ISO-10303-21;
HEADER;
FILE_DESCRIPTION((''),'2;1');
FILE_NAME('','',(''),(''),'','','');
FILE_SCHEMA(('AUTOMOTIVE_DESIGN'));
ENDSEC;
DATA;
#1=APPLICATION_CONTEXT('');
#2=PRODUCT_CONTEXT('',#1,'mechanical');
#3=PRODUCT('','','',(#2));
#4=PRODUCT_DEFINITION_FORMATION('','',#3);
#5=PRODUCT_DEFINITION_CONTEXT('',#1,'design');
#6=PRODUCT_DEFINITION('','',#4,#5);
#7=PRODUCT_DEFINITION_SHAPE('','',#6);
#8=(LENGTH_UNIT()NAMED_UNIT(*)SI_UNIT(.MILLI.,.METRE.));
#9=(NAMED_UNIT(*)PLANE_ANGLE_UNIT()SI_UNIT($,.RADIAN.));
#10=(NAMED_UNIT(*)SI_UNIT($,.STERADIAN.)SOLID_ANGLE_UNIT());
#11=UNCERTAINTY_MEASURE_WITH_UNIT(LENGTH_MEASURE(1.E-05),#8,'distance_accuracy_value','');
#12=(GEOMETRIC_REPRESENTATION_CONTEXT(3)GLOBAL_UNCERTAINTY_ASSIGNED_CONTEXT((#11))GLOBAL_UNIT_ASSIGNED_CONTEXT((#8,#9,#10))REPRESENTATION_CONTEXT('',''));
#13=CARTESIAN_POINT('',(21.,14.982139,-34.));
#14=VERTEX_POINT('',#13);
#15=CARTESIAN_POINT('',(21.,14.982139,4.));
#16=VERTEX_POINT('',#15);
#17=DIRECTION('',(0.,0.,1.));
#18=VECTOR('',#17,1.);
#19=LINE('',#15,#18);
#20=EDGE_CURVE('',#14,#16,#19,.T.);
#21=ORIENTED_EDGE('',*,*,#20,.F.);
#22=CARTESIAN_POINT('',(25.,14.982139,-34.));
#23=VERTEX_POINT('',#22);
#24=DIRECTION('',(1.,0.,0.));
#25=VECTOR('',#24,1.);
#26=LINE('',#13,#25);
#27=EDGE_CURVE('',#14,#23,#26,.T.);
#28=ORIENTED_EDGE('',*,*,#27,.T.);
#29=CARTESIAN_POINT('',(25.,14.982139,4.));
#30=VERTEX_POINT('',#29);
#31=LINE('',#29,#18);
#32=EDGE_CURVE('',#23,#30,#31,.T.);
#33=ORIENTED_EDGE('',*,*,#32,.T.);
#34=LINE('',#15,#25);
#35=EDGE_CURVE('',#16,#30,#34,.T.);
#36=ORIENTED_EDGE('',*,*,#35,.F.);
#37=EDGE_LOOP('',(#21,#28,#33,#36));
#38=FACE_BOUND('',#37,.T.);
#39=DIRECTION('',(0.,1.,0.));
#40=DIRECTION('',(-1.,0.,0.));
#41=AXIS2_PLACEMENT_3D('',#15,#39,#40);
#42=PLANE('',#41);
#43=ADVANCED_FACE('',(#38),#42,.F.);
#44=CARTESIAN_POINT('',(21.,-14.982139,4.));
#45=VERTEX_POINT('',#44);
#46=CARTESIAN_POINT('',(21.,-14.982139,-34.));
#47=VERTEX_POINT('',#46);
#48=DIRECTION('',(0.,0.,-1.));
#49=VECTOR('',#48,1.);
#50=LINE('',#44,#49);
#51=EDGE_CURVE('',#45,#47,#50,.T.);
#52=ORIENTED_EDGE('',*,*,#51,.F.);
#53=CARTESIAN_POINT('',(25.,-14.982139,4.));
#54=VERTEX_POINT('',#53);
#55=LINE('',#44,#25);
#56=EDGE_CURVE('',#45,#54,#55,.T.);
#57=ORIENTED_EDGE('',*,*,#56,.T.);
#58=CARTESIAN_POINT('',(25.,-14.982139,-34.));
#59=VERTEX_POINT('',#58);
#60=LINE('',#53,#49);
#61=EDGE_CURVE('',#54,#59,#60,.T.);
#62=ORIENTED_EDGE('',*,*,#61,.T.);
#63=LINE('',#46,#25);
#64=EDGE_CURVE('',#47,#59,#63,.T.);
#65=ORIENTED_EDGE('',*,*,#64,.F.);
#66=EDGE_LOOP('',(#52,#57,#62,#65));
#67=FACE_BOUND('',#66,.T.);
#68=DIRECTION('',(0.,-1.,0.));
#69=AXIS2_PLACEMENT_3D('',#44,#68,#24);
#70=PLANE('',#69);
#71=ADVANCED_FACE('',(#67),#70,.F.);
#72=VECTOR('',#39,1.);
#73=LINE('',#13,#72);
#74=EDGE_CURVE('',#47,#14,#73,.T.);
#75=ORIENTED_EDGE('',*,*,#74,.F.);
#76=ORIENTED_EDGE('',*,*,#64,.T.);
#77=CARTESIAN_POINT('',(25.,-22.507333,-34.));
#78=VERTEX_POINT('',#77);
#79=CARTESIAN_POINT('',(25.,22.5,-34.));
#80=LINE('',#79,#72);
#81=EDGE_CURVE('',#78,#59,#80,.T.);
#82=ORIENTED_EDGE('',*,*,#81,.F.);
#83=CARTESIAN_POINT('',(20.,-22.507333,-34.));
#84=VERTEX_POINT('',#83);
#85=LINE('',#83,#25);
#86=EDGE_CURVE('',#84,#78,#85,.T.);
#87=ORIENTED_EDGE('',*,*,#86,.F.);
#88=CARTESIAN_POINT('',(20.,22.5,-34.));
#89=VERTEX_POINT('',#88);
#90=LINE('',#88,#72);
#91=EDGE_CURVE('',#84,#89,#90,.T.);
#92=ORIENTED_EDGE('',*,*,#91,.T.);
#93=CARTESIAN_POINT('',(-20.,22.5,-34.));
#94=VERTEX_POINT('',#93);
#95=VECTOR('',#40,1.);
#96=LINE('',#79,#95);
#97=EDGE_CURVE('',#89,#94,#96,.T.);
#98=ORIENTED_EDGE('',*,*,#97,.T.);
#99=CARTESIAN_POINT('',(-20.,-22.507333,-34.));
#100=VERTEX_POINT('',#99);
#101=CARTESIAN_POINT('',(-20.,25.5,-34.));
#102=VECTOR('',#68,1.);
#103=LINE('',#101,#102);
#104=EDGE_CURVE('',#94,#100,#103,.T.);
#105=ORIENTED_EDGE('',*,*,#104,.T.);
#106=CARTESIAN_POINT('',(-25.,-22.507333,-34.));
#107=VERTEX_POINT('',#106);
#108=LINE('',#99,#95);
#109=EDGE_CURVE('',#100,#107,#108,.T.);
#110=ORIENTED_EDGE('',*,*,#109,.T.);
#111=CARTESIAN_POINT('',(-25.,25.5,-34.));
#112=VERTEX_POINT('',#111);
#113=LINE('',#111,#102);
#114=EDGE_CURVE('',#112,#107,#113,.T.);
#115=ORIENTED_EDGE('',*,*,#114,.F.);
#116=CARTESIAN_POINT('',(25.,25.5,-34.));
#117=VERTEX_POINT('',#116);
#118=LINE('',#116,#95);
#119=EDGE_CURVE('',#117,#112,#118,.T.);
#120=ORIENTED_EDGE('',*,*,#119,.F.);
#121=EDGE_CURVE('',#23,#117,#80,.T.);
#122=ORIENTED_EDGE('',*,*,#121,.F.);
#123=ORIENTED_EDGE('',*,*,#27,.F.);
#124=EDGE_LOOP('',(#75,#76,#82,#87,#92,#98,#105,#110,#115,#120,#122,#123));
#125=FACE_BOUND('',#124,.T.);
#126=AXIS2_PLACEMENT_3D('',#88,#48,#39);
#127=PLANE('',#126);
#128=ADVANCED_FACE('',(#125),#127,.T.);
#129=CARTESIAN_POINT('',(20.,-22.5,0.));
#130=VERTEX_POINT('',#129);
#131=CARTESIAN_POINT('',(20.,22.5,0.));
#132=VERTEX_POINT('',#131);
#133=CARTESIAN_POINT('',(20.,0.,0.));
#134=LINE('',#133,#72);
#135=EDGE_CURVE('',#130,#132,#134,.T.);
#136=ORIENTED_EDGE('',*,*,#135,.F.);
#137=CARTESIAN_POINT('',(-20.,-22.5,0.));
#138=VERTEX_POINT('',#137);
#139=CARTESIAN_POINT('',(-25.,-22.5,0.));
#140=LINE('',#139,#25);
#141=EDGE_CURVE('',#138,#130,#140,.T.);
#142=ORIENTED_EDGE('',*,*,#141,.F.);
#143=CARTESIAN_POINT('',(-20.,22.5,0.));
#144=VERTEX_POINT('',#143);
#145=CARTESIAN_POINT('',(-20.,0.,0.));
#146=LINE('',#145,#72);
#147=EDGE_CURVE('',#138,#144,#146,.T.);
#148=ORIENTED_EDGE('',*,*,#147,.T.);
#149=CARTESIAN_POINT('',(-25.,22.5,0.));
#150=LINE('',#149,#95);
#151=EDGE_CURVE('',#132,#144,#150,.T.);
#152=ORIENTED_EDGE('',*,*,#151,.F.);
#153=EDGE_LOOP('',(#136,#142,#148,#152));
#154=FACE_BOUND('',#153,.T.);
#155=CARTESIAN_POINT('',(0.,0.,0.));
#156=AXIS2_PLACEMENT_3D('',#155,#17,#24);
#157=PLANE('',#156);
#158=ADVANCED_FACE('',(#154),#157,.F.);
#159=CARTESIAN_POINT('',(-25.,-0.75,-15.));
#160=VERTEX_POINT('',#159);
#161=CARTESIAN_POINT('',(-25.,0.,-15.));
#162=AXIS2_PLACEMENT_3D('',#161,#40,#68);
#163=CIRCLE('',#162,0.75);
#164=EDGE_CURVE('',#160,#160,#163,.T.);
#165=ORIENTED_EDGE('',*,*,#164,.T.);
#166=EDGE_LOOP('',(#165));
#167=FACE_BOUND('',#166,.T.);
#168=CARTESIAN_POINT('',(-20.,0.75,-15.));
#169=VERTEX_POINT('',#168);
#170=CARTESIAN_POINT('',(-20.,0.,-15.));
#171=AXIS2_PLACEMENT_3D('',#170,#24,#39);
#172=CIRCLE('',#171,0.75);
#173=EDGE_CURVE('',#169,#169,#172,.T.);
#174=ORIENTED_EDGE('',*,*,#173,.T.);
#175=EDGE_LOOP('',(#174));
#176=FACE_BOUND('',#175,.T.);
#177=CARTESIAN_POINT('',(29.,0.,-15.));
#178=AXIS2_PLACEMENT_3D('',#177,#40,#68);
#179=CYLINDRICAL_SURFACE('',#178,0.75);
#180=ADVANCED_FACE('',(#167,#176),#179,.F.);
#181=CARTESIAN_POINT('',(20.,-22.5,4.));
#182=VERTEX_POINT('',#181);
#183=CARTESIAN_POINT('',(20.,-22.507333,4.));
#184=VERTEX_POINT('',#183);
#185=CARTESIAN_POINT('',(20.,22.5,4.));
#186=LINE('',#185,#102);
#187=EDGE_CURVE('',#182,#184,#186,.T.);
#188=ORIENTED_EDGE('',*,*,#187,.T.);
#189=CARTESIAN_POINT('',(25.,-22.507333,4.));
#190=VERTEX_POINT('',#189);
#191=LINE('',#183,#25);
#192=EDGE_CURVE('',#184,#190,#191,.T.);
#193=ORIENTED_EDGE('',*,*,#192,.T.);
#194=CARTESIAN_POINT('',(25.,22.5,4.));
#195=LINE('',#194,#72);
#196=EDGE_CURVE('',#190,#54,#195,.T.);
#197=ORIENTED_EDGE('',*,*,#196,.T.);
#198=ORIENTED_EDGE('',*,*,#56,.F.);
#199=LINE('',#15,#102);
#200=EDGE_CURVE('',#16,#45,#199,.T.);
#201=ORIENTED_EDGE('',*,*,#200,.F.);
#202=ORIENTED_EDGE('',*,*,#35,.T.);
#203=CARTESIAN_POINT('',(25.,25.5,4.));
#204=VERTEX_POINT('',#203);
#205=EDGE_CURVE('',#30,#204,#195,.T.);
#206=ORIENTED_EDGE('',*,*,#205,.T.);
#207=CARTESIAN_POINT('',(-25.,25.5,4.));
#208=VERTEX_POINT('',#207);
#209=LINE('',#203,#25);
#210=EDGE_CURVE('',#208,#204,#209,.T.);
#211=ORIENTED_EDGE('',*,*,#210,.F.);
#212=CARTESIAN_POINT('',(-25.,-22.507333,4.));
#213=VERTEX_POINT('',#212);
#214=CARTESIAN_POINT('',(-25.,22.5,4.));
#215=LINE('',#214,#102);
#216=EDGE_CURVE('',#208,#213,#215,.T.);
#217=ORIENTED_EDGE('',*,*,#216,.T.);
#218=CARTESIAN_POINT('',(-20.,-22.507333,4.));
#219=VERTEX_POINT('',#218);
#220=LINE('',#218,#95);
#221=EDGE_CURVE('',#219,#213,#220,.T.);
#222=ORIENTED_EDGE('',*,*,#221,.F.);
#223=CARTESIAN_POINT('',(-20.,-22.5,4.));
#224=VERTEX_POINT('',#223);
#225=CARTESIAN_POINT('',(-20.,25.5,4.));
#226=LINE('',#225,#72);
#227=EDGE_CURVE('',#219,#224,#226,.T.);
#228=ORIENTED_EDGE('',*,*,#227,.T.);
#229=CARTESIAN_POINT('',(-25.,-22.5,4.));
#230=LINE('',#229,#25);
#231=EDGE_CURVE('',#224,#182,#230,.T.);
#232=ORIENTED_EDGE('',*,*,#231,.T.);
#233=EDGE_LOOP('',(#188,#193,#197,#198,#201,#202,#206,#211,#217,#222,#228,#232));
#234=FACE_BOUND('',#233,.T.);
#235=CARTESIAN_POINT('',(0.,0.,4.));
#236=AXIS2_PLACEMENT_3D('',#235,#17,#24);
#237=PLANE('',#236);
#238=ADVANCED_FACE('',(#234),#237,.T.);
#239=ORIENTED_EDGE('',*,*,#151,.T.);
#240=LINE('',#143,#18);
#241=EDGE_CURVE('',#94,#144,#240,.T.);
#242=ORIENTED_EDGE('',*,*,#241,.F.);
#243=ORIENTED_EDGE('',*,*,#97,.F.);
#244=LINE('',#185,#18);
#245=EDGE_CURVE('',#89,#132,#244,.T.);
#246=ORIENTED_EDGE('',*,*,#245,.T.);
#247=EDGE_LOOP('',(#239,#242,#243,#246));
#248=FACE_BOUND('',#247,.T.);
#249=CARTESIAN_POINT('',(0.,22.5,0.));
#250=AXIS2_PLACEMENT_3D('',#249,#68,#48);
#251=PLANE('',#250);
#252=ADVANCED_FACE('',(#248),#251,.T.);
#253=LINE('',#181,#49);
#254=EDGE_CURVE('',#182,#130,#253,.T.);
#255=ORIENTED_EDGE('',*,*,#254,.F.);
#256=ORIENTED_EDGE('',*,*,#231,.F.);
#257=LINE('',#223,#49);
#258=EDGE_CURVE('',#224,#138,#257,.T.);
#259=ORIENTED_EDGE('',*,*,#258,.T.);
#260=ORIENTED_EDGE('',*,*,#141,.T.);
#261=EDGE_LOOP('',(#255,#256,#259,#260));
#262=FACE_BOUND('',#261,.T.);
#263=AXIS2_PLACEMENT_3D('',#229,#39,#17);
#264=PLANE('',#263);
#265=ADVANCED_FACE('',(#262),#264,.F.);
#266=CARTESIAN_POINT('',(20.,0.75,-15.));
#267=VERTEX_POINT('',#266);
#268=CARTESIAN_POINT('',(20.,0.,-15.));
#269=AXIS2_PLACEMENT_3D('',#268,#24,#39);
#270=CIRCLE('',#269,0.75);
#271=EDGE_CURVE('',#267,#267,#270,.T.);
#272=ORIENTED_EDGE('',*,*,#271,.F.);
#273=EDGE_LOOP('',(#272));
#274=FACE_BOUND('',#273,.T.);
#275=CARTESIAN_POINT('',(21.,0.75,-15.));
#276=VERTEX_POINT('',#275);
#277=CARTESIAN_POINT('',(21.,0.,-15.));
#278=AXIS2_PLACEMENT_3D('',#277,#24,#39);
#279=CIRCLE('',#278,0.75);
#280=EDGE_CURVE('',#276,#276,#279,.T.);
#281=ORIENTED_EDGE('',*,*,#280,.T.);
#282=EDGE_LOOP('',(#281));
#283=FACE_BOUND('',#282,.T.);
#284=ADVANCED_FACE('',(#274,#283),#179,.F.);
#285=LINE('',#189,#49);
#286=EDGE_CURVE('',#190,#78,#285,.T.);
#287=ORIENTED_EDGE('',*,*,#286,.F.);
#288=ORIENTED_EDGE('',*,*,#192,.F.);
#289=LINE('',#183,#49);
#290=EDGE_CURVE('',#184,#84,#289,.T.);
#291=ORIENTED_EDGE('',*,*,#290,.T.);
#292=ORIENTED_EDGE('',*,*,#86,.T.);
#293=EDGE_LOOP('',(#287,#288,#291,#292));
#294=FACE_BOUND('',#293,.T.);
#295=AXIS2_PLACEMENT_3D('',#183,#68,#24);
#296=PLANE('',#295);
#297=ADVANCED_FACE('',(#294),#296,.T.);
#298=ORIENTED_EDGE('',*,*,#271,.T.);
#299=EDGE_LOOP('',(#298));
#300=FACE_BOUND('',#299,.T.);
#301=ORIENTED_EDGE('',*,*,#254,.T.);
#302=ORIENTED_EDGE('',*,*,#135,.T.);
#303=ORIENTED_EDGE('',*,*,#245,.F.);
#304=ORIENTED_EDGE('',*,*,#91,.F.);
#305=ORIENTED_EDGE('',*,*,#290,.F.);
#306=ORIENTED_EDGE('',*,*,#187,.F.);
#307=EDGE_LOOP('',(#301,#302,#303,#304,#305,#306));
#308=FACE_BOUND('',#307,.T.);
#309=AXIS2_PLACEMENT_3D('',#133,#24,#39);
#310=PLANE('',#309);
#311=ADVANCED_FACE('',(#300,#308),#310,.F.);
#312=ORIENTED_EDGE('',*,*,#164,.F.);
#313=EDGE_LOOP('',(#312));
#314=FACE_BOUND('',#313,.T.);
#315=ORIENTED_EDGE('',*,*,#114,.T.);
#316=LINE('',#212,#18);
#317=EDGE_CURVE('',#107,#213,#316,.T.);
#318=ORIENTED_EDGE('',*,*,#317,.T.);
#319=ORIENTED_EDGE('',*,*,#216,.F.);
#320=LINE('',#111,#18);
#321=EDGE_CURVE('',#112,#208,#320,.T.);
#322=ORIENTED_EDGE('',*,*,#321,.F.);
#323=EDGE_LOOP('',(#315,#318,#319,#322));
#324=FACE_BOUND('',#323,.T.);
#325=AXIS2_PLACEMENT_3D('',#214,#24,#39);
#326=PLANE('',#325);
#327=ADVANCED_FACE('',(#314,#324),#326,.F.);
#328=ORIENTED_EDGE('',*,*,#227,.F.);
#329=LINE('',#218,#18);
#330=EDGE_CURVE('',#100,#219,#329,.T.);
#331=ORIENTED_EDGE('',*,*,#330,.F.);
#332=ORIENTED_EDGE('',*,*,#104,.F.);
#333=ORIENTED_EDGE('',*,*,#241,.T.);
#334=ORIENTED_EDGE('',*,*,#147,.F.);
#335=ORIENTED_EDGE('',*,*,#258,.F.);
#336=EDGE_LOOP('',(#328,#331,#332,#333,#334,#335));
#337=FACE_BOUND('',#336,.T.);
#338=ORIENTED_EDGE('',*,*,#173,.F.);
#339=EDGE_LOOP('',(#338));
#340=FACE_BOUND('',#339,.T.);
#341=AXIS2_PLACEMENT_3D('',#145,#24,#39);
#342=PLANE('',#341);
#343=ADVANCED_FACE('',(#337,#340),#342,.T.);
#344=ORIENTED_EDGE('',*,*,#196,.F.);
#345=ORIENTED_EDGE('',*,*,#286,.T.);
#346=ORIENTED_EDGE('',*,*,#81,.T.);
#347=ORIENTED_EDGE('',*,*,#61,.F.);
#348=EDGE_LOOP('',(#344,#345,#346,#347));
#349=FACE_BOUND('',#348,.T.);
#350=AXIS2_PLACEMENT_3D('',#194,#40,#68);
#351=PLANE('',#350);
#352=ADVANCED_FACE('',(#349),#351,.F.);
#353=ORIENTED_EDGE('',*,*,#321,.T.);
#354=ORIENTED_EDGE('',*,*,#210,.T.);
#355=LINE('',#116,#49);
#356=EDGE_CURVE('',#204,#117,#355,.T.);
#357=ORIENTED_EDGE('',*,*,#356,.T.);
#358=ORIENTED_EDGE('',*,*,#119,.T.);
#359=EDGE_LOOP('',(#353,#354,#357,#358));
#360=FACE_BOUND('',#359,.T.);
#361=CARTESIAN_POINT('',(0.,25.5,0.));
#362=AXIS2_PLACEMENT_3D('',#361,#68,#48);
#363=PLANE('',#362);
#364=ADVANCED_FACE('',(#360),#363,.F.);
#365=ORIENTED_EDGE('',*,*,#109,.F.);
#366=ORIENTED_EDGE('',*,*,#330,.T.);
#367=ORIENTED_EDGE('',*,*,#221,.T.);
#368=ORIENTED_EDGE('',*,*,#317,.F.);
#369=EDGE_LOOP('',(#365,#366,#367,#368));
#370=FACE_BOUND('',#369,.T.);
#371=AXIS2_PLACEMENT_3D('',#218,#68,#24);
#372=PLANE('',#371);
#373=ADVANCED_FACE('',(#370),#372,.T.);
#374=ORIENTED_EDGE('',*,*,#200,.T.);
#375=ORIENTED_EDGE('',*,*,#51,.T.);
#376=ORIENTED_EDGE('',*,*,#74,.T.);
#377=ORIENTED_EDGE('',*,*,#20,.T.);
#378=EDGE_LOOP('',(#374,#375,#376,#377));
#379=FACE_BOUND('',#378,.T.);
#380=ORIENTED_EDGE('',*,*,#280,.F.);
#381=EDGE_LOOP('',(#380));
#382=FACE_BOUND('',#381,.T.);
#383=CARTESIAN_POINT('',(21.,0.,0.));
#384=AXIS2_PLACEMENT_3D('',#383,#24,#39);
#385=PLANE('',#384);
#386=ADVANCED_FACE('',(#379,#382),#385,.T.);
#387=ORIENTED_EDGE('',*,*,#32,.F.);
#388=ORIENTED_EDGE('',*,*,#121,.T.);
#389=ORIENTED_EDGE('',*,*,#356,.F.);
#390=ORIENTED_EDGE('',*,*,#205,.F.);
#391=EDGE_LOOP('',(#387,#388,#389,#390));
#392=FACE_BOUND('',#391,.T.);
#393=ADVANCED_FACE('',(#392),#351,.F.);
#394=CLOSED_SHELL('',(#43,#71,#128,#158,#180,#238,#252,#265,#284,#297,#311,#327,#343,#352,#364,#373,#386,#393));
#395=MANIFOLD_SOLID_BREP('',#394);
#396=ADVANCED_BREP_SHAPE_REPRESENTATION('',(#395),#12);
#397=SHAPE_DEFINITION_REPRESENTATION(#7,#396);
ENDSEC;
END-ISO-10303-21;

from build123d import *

# Parameters (mm, degrees)
SKETCH1_W           = 50
SKETCH1_H           = 45
BOSS_EXTRUDE1_DEPTH = 4
SKETCH2_W           = 38
SKETCH2_H           = 45.007332522
BOSS_EXTRUDE2_DEPTH = 5
SKETCH3_W           = 50
SKETCH3_H           = 38
BOSS_EXTRUDE3_DEPTH = 3
SKETCH4_W           = 38
SKETCH4_H           = 48.007332522
BOSS_EXTRUDE4_DEPTH = 5
SKETCH5_W           = 38
SKETCH5_H           = 29.964277952
CUT_EXTRUDE3_DEPTH  = 4
SKETCH7_R           = 0.75
CUT_EXTRUDE4_DEPTH  = 54


with BuildPart() as part:
    # Sketch1 → Boss-Extrude1 (new body)
    with BuildSketch(Plane.XY):
        Rectangle(SKETCH1_W, SKETCH1_H)
    extrude(amount=BOSS_EXTRUDE1_DEPTH)

    # Sketch2 → Boss-Extrude2 (add)
    with BuildSketch(Plane(origin=(25, 0, 0), x_dir=(0, 0, -1), z_dir=(1, 0, 0))):
        with Locations((15, -0.003666261)):
            Rectangle(SKETCH2_W, SKETCH2_H)
    extrude(amount=-BOSS_EXTRUDE2_DEPTH)

    # Sketch3 → Boss-Extrude3 (add)
    with BuildSketch(Plane(origin=(0, 22.5, 0), x_dir=(1, 0, 0), z_dir=(0, 1, 0))):
        with Locations((0, 15)):
            Rectangle(SKETCH3_W, SKETCH3_H)
    extrude(amount=BOSS_EXTRUDE3_DEPTH)

    # Sketch4 → Boss-Extrude4 (add)
    with BuildSketch(Plane.ZY.offset(25)):
        with Locations((-15, 1.496333739)):
            Rectangle(SKETCH4_W, SKETCH4_H)
    extrude(amount=-BOSS_EXTRUDE4_DEPTH)

    # Sketch5 → Cut-Extrude3 (cut)
    with BuildSketch(Plane(origin=(25, 0, 0), x_dir=(0, 0, -1), z_dir=(1, 0, 0))):
        with Locations((15, 0)):
            Rectangle(SKETCH5_W, SKETCH5_H)
    extrude(amount=-CUT_EXTRUDE3_DEPTH, mode=Mode.SUBTRACT)

    # Sketch7 → Cut-Extrude4 (cut)
    with BuildSketch(Plane.ZY.offset(25)):
        with Locations(Location((-15, 0, 0), (0, 0, 90))):
            Circle(SKETCH7_R)
    extrude(amount=-CUT_EXTRUDE4_DEPTH, mode=Mode.SUBTRACT)


solid = part.part
